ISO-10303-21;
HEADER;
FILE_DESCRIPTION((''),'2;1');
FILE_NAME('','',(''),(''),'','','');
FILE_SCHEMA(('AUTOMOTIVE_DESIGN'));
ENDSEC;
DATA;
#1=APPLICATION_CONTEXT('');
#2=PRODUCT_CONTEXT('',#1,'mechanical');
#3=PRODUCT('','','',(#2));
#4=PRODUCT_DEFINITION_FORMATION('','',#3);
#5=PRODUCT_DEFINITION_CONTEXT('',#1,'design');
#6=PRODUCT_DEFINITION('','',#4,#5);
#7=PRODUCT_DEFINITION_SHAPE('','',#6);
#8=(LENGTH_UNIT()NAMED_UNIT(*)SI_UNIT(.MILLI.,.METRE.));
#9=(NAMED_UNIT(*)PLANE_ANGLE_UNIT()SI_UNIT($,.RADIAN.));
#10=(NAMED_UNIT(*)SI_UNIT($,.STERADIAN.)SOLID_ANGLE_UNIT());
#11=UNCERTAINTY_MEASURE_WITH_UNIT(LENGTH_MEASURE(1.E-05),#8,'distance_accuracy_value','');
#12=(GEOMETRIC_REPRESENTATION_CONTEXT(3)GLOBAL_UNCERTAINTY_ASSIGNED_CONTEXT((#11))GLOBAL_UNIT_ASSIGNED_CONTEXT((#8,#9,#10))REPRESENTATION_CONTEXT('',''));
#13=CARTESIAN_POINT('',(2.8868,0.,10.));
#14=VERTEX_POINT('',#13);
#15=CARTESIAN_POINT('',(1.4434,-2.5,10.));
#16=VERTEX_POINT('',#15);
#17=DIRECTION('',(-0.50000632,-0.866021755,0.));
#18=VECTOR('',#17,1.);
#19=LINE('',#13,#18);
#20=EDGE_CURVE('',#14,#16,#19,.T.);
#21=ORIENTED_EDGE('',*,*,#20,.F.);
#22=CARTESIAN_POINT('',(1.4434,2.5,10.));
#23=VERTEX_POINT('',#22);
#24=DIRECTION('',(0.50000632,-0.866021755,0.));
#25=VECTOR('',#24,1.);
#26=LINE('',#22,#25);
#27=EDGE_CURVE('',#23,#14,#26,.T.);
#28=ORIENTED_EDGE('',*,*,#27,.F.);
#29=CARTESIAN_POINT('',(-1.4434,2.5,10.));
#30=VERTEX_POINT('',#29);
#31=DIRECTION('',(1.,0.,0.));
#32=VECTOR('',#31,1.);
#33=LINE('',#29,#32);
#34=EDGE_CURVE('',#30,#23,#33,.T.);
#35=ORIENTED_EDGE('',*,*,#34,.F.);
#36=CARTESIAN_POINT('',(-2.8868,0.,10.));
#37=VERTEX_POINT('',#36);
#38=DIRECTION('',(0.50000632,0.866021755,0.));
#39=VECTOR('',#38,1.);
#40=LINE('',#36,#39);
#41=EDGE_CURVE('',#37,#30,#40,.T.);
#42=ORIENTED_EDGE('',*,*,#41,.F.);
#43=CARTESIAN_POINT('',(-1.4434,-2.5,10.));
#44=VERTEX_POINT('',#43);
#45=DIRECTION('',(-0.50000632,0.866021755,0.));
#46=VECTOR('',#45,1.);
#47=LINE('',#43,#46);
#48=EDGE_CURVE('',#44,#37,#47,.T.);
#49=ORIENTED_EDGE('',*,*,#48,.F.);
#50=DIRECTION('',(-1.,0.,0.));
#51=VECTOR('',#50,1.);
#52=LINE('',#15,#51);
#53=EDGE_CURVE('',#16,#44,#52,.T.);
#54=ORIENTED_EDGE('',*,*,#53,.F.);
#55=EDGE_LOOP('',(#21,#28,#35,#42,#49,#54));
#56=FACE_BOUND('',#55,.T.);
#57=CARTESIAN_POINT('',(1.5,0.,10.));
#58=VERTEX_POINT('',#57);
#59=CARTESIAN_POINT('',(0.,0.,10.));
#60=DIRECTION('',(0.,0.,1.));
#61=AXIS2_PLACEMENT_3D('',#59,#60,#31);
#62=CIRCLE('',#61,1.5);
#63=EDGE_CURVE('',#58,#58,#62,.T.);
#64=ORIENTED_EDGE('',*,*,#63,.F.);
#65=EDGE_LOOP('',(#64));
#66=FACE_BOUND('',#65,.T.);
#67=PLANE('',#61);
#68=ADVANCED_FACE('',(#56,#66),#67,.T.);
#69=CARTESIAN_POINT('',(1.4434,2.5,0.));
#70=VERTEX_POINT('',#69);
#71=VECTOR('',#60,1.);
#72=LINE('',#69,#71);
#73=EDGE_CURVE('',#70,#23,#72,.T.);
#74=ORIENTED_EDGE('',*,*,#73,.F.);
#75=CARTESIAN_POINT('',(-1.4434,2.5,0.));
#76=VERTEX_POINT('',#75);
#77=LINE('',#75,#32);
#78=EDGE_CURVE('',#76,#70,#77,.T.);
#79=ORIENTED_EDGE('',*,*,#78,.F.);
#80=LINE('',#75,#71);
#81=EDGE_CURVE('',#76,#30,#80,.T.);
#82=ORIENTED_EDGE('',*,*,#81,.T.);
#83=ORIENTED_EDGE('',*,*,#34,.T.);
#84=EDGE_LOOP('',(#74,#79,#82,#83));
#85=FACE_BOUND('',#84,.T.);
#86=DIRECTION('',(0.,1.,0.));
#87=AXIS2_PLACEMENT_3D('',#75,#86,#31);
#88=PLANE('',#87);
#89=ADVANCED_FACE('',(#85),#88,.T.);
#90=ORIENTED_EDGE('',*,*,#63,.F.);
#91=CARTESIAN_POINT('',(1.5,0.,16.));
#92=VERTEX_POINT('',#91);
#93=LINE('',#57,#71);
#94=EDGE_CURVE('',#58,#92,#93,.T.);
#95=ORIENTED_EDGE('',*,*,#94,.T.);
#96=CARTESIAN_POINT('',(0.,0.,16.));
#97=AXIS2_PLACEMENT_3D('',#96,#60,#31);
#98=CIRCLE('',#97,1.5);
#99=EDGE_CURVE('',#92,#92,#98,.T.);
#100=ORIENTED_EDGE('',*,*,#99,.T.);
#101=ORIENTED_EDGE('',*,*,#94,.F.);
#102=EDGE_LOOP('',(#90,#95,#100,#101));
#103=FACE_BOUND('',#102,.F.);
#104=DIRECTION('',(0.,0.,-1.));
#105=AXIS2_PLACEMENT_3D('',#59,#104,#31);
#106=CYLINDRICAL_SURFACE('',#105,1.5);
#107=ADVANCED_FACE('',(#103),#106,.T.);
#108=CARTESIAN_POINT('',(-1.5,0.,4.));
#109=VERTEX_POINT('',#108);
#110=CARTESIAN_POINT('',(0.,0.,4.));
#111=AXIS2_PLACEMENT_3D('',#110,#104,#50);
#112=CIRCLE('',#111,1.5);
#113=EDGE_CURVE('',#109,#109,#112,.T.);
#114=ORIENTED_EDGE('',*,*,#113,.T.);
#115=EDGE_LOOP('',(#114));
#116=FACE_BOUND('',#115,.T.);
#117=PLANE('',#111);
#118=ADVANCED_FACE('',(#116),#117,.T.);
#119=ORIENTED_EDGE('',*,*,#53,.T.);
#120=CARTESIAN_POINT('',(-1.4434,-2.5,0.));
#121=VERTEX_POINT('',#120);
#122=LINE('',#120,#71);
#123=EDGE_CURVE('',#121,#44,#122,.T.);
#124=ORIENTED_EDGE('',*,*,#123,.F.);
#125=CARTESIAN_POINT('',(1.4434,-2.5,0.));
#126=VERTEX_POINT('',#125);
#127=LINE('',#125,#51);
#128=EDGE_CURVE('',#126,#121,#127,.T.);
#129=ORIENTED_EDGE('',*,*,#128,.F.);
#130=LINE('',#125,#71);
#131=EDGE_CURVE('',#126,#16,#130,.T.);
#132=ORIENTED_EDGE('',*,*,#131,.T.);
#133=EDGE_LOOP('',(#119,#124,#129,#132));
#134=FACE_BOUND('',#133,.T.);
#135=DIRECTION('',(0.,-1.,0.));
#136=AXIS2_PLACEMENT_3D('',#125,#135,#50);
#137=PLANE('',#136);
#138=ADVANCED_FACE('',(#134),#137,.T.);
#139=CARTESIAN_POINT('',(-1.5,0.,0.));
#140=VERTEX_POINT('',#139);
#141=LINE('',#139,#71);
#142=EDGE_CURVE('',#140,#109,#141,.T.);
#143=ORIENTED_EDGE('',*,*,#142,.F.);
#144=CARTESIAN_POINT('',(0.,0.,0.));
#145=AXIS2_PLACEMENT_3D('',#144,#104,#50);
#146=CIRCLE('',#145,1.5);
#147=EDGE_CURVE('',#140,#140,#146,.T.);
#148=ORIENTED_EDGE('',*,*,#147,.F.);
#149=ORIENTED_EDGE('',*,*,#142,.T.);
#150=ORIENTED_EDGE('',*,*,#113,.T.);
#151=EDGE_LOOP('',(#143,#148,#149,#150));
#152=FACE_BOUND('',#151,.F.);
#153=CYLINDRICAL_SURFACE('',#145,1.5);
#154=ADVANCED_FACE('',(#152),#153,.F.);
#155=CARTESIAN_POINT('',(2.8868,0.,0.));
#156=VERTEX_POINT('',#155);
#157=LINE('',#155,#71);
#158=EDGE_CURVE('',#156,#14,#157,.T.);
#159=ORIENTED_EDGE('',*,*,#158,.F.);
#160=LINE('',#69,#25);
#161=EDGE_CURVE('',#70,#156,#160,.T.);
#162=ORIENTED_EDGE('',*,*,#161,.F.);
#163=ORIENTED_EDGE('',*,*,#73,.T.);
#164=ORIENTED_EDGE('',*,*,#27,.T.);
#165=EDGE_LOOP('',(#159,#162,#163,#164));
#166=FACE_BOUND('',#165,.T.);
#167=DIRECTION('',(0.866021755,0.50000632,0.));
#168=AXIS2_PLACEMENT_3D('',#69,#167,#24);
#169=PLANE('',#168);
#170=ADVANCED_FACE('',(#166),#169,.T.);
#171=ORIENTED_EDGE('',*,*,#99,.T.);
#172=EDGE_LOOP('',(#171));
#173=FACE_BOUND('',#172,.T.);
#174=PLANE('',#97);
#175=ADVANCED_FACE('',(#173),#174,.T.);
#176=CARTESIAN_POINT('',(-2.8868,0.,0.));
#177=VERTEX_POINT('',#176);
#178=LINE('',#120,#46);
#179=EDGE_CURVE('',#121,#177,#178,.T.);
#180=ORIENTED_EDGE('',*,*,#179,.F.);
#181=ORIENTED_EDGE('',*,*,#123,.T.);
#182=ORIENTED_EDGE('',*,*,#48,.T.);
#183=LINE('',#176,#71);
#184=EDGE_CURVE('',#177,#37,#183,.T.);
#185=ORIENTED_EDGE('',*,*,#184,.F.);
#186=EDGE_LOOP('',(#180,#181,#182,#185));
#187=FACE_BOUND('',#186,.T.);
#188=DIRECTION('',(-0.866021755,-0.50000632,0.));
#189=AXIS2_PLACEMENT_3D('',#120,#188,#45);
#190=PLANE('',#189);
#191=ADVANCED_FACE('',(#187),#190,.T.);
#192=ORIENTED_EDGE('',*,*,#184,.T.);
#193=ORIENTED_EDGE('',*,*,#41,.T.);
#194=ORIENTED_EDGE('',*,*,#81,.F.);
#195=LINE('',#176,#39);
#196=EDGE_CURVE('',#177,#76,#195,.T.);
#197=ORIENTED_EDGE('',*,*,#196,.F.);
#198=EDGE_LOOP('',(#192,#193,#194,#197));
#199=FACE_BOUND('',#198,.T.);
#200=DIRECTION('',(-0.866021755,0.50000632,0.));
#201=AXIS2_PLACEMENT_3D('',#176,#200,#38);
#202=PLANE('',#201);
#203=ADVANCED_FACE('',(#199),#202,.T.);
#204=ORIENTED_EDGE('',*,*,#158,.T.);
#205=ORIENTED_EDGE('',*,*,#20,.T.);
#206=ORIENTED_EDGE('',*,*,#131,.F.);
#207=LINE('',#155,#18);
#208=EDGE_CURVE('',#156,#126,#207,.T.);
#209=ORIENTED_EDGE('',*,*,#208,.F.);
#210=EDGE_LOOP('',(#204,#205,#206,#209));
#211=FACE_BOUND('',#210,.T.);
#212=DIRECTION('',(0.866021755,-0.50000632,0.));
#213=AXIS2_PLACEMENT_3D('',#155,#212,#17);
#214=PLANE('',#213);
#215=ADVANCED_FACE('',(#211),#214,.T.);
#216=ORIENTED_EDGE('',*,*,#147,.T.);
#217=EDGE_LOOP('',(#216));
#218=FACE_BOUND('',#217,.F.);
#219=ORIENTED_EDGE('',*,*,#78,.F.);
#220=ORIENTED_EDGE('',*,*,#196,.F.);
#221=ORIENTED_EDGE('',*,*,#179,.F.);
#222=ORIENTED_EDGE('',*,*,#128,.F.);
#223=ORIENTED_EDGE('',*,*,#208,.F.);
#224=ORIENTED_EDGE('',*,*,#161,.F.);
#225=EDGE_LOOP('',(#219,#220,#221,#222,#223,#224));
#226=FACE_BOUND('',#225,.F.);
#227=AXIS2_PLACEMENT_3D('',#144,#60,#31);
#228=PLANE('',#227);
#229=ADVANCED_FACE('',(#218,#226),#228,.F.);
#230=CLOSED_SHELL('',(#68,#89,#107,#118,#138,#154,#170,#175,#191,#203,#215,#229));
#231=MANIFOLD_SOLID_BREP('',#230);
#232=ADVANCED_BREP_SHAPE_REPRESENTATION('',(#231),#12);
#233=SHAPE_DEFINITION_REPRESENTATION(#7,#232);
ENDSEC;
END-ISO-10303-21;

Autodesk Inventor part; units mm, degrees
ref_plane "YZ Plane" through (0, 0, 0) normal (1, 0, 0) x (0, 1, 0)
ref_plane "XZ Plane" through (0, 0, 0) normal (0, 1, 0) x (-1, 0, 0)
ref_plane "XY Plane" through (0, 0, 0) normal (0, 0, 1) x (1, 0, 0)
sketch "Sketch1" plane through (0, 0, 0) normal (0, 0, 1) x (1, 0, 0)
  line L0 (2.8868, 0) -> (1.4434, -2.5)
  line L1 (1.4434, -2.5) -> (-1.4434, -2.5)
  line L2 (-1.4434, -2.5) -> (-2.8868, 0)
  line L3 (-2.8868, 0) -> (-1.4434, 2.5)
  line L4 (-1.4434, 2.5) -> (1.4434, 2.5)
  line L5 (1.4434, 2.5) -> (2.8868, 0)
  point P0 (0, 0)
  point P1 (0, 0)
  dimension "d0" = 5
extrude "Extrusion1" add sketch "Sketch1" along normal blind 10
sketch "Sketch2" plane through (0, 0, 10) normal (0, 0, 1) x (1, 0, 0)
  circle A0 centre (0, 0) radius 1.5
  dimension "d3" = 3
extrude "Extrusion2" add sketch "Sketch2" along normal blind 6
sketch "Sketch3" plane through (0, 0, 0) normal (0, 0, -1) x (-1, 0, 0)
  circle A0 centre (0, 0) radius 1.5
  dimension "d6" = 3
extrude "Extrusion3" cut sketch "Sketch3" against normal blind 4
properties part number "Spacer7mm_m3"
